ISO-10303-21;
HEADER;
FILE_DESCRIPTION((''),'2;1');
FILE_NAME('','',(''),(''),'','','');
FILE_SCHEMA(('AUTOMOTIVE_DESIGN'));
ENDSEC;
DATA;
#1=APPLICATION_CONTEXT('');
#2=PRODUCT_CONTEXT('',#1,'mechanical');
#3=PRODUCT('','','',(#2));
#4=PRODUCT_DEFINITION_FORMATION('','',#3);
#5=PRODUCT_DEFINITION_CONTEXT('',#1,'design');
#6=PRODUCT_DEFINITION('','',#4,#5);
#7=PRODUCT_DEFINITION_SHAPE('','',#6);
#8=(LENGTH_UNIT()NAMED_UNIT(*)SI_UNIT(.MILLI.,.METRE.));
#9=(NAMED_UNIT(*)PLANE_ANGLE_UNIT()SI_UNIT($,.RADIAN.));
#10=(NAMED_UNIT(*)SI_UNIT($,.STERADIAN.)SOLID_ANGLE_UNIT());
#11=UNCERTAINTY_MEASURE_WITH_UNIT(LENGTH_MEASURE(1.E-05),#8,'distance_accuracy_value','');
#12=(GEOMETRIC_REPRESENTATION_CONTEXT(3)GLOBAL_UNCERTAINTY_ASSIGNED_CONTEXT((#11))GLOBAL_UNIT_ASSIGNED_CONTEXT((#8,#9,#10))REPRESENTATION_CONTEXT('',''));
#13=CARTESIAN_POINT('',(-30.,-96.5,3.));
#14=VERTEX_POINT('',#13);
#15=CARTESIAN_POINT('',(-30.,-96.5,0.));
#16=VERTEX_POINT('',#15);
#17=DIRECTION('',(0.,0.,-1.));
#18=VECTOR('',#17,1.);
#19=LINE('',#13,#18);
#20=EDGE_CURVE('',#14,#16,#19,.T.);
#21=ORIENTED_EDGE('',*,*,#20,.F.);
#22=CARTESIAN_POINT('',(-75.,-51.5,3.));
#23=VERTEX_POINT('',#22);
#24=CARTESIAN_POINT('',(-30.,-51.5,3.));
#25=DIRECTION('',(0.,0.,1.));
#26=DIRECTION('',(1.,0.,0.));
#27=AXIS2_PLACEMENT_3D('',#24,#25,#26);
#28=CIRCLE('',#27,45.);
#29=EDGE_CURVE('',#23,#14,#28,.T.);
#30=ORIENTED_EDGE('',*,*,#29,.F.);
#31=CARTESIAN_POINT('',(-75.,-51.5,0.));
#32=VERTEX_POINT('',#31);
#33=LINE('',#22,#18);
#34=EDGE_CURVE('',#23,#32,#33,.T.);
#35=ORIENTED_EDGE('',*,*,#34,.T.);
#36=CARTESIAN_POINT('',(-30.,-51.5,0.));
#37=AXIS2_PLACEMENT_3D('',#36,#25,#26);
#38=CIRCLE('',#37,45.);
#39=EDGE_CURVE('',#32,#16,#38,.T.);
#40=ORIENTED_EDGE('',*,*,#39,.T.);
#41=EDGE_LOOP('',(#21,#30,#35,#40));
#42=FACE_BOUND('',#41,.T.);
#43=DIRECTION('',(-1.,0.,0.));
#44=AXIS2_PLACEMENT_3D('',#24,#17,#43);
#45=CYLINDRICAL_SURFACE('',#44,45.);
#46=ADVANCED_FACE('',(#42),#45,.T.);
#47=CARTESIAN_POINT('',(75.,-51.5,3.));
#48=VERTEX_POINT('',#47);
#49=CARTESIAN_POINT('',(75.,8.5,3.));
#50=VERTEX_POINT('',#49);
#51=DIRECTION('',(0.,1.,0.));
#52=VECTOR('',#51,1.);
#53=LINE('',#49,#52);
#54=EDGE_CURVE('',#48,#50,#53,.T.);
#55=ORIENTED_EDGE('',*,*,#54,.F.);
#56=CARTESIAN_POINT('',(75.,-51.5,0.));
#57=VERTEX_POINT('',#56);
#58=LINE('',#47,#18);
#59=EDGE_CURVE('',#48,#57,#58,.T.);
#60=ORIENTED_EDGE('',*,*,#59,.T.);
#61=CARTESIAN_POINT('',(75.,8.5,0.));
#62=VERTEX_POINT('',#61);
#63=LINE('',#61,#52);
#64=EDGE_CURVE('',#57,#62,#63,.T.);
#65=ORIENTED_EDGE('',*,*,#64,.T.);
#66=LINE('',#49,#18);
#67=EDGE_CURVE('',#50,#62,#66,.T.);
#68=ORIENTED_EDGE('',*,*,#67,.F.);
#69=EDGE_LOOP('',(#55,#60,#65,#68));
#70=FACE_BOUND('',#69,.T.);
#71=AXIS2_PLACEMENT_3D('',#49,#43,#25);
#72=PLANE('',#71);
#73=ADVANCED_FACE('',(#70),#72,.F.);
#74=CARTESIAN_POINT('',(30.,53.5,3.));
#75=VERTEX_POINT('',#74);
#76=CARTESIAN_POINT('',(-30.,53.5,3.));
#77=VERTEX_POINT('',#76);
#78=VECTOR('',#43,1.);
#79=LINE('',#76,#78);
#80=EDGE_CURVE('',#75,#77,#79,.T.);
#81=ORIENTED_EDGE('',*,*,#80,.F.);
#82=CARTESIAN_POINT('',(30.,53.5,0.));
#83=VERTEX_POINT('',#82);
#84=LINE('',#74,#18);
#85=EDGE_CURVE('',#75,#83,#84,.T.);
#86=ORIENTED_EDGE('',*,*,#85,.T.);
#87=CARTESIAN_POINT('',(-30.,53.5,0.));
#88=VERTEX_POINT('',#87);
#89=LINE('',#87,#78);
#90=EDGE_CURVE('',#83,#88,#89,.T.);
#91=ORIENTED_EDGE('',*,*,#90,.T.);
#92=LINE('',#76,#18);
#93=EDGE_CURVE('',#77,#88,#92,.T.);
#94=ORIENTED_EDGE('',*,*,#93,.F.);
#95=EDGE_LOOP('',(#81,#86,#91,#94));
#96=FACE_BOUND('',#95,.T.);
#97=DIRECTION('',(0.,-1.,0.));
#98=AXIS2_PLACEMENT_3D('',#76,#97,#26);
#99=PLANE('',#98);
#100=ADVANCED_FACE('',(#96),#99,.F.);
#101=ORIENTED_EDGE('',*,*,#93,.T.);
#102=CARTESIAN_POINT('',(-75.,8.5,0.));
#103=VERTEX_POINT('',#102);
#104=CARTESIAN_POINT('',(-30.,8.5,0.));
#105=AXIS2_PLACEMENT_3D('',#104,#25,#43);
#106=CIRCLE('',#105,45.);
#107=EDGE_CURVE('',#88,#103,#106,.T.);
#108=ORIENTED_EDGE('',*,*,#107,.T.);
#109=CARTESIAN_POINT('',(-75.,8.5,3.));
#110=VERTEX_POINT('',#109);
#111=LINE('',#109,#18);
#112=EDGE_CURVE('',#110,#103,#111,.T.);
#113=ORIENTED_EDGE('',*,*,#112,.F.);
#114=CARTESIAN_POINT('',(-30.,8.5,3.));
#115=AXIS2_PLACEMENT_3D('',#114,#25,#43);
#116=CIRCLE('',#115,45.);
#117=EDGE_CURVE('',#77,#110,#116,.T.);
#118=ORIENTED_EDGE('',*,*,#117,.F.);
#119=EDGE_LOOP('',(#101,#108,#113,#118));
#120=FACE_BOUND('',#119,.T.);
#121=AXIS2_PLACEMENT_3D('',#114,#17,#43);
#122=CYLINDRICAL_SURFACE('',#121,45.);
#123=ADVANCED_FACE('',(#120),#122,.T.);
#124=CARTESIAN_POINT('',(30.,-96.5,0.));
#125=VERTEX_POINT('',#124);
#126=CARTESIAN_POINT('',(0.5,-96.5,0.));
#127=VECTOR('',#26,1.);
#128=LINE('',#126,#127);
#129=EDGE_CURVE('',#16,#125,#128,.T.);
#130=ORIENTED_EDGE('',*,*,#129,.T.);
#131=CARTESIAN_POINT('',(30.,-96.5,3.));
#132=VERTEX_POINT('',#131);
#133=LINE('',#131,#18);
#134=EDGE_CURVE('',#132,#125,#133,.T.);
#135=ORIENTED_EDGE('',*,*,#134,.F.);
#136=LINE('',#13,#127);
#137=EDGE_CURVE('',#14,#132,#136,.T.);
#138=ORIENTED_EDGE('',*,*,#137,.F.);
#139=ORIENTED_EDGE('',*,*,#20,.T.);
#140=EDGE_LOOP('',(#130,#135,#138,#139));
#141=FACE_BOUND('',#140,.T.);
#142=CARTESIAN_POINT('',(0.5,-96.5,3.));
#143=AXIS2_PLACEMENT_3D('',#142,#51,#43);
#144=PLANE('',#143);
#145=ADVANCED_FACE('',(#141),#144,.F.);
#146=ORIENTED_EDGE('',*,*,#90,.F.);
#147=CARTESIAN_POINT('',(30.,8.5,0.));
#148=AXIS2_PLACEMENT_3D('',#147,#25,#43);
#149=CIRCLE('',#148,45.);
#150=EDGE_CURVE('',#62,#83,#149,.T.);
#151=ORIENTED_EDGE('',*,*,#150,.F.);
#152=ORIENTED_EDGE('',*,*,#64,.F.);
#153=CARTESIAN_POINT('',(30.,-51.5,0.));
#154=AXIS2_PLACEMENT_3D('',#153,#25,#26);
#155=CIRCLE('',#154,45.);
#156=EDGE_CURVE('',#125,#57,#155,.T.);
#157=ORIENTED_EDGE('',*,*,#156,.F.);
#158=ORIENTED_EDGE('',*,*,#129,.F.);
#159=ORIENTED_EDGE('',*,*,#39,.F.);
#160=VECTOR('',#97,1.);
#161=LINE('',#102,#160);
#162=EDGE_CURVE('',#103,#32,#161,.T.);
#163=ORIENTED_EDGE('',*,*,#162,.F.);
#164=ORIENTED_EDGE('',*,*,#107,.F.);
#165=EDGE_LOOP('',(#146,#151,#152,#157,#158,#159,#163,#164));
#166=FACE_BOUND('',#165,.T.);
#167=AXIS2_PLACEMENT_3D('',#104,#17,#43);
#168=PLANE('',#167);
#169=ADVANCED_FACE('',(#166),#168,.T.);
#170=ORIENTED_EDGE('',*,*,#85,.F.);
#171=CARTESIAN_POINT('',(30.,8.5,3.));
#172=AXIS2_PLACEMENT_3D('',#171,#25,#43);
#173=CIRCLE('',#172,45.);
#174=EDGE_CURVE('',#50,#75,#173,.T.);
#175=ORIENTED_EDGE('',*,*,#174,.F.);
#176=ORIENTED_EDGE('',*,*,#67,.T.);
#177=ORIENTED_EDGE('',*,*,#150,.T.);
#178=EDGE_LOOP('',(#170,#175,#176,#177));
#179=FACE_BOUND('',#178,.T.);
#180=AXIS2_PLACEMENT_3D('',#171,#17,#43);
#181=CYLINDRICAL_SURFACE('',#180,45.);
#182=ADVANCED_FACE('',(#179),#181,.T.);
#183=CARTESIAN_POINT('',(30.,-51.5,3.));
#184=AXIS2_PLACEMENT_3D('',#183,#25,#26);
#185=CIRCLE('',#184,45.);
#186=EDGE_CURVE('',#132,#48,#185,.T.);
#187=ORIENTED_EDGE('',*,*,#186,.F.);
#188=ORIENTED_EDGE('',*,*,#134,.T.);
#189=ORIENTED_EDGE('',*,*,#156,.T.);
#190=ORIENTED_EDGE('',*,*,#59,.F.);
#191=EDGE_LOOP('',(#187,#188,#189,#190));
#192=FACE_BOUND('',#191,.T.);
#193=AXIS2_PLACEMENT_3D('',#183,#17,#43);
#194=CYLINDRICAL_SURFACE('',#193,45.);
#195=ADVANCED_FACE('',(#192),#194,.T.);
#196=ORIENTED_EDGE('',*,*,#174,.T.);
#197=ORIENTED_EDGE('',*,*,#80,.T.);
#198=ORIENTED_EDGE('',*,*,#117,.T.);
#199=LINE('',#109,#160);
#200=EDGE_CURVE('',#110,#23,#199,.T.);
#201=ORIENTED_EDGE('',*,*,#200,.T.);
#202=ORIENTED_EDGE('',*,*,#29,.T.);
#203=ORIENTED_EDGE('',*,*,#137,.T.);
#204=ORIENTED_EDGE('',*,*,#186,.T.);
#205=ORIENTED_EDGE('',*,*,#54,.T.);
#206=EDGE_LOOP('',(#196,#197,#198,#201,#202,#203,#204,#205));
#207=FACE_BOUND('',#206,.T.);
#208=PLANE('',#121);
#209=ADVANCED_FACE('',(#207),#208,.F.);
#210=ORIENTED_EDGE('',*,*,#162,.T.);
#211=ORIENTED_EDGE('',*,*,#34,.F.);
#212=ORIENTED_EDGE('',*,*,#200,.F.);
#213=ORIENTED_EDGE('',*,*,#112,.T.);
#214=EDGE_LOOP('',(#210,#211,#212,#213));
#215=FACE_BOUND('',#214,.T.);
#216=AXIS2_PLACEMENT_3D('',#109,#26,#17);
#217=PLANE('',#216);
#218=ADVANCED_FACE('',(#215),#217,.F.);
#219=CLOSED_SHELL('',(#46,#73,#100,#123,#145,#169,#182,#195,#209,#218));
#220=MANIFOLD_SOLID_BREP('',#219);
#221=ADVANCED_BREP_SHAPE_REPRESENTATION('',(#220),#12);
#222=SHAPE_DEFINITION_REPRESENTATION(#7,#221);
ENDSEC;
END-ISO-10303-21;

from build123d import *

# Parameters (mm, degrees)
BOSS_EXTRUDE1_DEPTH = 3


with BuildPart() as part:
    # Sketch1 → Boss-Extrude1 (new body)
    with BuildSketch(Plane.XY):
        with BuildLine():
            Line((-30, 53.5), (30, 53.5))
            ThreePointArc((30, 53.5), (61.819805153, 40.319805153), (75, 8.5))
            Line((75, 8.5), (75, -51.5))
            ThreePointArc((75, -51.5), (61.819805153, -83.319805153), (30, -96.5))
            Line((30, -96.5), (0.5, -96.5))
            Line((0.5, -96.5), (-0.5, -96.5))
            Line((-0.5, -96.5), (-30, -96.5))
            ThreePointArc((-30, -96.5), (-61.819805153, -83.319805153), (-75, -51.5))
            Line((-75, -51.5), (-75, 8.5))
            ThreePointArc((-75, 8.5), (-61.819805153, 40.319805153), (-30, 53.5))
        make_face()
    extrude(amount=BOSS_EXTRUDE1_DEPTH)


solid = part.part
